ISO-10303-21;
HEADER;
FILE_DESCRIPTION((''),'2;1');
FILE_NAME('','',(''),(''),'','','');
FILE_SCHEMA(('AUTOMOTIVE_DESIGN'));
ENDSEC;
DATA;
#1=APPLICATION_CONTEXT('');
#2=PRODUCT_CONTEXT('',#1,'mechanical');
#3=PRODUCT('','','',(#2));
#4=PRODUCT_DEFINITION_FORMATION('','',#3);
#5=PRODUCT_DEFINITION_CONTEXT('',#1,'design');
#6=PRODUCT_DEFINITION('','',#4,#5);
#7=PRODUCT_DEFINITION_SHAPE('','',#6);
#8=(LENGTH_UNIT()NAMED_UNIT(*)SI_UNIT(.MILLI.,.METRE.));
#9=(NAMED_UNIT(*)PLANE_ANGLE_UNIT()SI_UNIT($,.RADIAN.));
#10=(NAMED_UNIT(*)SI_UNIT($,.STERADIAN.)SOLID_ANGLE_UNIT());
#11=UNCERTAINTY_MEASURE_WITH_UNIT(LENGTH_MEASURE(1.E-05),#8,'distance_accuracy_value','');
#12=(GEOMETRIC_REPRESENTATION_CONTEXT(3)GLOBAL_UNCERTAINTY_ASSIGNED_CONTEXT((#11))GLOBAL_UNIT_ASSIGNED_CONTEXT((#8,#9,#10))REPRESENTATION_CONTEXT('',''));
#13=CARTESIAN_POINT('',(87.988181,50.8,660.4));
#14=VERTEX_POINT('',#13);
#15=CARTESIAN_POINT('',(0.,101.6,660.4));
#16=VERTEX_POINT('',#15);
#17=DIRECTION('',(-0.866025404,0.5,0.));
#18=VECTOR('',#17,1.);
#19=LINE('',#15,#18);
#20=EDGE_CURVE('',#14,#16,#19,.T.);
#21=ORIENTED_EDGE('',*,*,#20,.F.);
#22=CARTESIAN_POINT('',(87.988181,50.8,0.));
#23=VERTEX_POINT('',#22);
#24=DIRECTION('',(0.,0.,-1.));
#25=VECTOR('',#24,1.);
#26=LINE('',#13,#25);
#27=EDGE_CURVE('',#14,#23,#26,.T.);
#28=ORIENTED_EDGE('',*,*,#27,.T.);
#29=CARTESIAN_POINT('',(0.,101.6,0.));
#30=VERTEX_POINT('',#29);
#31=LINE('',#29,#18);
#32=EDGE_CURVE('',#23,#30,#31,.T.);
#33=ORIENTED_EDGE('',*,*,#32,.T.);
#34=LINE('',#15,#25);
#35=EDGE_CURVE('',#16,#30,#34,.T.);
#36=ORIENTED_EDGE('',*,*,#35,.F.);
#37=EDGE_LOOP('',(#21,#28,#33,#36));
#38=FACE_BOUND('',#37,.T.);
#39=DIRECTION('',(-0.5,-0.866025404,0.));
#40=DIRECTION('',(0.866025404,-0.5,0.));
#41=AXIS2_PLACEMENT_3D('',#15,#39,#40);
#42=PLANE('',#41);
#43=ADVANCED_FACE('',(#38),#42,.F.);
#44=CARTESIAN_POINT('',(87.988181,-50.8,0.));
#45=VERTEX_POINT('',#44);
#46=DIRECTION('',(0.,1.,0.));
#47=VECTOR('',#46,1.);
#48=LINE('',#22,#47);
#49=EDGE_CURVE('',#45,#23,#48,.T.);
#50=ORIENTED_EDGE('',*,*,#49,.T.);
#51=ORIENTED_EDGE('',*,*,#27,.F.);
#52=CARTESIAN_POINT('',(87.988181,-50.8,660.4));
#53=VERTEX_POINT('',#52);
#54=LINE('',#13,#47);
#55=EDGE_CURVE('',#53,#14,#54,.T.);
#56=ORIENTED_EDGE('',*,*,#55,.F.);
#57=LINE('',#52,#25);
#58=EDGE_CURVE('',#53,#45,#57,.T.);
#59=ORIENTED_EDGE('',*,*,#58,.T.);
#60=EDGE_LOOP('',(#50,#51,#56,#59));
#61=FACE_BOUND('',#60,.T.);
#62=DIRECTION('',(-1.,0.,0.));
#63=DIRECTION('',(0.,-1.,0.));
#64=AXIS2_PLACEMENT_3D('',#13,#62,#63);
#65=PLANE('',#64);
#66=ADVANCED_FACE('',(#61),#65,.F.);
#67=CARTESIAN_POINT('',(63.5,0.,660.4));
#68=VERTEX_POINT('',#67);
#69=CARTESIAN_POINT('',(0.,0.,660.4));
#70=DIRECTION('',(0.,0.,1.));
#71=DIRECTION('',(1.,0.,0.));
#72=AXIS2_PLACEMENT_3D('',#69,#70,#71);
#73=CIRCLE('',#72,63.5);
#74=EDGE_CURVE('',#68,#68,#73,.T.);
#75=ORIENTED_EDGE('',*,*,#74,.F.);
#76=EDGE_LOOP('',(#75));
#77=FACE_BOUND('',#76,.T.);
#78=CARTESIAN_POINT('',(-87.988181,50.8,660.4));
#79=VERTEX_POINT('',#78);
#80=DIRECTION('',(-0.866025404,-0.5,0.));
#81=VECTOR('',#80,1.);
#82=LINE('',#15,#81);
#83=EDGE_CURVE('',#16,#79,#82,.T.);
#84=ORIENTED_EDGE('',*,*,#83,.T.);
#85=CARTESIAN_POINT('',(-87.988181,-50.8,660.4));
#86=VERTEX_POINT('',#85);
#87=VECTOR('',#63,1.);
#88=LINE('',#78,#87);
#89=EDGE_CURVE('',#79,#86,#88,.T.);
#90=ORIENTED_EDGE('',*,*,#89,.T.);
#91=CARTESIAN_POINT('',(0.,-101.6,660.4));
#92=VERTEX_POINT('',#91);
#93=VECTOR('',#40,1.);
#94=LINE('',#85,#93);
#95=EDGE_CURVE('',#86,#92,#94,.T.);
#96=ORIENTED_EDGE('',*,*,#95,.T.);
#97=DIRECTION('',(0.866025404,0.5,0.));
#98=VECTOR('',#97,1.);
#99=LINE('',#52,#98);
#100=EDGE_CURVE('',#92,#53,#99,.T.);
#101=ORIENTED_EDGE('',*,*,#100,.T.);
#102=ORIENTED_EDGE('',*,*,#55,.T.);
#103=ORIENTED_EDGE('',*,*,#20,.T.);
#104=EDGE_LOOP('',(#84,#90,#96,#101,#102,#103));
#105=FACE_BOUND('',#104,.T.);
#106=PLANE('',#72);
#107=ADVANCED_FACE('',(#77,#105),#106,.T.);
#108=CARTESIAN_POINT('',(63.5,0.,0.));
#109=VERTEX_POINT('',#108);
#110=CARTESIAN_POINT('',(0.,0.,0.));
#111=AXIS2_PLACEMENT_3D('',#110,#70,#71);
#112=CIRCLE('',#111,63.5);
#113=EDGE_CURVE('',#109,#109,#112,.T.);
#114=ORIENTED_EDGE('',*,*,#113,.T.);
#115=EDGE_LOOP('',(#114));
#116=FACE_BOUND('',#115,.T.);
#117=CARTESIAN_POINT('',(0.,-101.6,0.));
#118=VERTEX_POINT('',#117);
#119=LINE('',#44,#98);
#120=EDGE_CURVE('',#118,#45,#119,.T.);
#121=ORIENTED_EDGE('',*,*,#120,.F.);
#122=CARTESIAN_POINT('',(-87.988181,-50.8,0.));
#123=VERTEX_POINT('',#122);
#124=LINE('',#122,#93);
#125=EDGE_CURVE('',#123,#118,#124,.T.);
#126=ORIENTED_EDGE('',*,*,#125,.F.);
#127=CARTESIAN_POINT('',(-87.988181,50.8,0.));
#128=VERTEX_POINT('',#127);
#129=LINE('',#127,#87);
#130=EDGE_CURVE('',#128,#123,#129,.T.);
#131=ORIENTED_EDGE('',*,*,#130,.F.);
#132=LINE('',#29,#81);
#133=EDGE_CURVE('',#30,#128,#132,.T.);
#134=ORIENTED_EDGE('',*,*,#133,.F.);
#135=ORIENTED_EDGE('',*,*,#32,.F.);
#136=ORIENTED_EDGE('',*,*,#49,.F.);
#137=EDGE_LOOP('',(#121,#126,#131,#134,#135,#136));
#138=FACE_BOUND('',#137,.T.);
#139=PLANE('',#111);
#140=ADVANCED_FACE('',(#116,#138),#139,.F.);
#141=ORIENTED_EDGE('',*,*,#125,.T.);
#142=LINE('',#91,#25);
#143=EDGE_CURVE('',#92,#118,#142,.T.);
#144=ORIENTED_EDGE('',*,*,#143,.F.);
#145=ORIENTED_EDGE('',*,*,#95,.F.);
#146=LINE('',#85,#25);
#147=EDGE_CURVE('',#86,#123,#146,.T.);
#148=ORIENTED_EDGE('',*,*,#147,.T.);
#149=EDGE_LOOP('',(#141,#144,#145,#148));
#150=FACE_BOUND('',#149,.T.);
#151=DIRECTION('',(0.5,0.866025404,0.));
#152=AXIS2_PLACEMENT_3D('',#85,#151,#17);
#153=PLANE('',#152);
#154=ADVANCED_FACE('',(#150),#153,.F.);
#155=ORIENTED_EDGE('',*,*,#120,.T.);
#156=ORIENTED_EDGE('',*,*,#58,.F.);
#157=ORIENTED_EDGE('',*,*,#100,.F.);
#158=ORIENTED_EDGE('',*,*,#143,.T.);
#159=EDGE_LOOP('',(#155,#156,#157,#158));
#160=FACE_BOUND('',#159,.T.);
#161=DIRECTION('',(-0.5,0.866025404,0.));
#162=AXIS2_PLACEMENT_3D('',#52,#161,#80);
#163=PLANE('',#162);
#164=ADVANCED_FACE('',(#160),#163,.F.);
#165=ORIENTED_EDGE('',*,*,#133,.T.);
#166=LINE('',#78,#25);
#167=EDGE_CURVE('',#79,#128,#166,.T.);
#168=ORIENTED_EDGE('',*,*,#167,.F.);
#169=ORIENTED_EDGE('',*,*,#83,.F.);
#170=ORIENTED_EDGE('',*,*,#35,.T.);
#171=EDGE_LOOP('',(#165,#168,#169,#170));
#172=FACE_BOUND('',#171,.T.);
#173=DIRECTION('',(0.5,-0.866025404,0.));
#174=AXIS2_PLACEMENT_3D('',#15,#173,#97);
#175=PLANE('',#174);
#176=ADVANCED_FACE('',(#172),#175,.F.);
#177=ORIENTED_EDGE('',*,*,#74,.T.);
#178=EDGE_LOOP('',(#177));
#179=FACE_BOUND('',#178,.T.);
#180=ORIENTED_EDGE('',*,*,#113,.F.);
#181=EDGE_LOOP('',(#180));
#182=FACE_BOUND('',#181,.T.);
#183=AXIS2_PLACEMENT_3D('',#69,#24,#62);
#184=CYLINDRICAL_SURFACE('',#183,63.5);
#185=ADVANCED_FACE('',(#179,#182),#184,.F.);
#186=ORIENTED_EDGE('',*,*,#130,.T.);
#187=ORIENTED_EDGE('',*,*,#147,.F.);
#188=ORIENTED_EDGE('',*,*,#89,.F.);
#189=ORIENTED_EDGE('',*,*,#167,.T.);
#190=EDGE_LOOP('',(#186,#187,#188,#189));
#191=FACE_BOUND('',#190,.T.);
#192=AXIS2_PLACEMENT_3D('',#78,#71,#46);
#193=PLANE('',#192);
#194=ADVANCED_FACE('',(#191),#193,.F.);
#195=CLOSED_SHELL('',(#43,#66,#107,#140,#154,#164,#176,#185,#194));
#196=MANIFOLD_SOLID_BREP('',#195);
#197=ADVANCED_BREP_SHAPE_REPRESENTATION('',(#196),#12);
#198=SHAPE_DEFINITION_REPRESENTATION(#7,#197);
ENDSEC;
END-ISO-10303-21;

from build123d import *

# Parameters (mm, degrees)
SKETCH1_R           = 63.5
BOSS_EXTRUDE1_DEPTH = 660.4


with BuildPart() as part:
    # Sketch1 → Boss-Extrude1 (new body)
    with BuildSketch(Plane.XY):
        Polygon((0, 101.6), (87.988181024, 50.8), (87.988181024, -50.8), (0, -101.6), (-87.988181024, -50.8), (-87.988181024, 50.8), align=None)
        Circle(SKETCH1_R, mode=Mode.SUBTRACT)
    extrude(amount=BOSS_EXTRUDE1_DEPTH)


solid = part.part
